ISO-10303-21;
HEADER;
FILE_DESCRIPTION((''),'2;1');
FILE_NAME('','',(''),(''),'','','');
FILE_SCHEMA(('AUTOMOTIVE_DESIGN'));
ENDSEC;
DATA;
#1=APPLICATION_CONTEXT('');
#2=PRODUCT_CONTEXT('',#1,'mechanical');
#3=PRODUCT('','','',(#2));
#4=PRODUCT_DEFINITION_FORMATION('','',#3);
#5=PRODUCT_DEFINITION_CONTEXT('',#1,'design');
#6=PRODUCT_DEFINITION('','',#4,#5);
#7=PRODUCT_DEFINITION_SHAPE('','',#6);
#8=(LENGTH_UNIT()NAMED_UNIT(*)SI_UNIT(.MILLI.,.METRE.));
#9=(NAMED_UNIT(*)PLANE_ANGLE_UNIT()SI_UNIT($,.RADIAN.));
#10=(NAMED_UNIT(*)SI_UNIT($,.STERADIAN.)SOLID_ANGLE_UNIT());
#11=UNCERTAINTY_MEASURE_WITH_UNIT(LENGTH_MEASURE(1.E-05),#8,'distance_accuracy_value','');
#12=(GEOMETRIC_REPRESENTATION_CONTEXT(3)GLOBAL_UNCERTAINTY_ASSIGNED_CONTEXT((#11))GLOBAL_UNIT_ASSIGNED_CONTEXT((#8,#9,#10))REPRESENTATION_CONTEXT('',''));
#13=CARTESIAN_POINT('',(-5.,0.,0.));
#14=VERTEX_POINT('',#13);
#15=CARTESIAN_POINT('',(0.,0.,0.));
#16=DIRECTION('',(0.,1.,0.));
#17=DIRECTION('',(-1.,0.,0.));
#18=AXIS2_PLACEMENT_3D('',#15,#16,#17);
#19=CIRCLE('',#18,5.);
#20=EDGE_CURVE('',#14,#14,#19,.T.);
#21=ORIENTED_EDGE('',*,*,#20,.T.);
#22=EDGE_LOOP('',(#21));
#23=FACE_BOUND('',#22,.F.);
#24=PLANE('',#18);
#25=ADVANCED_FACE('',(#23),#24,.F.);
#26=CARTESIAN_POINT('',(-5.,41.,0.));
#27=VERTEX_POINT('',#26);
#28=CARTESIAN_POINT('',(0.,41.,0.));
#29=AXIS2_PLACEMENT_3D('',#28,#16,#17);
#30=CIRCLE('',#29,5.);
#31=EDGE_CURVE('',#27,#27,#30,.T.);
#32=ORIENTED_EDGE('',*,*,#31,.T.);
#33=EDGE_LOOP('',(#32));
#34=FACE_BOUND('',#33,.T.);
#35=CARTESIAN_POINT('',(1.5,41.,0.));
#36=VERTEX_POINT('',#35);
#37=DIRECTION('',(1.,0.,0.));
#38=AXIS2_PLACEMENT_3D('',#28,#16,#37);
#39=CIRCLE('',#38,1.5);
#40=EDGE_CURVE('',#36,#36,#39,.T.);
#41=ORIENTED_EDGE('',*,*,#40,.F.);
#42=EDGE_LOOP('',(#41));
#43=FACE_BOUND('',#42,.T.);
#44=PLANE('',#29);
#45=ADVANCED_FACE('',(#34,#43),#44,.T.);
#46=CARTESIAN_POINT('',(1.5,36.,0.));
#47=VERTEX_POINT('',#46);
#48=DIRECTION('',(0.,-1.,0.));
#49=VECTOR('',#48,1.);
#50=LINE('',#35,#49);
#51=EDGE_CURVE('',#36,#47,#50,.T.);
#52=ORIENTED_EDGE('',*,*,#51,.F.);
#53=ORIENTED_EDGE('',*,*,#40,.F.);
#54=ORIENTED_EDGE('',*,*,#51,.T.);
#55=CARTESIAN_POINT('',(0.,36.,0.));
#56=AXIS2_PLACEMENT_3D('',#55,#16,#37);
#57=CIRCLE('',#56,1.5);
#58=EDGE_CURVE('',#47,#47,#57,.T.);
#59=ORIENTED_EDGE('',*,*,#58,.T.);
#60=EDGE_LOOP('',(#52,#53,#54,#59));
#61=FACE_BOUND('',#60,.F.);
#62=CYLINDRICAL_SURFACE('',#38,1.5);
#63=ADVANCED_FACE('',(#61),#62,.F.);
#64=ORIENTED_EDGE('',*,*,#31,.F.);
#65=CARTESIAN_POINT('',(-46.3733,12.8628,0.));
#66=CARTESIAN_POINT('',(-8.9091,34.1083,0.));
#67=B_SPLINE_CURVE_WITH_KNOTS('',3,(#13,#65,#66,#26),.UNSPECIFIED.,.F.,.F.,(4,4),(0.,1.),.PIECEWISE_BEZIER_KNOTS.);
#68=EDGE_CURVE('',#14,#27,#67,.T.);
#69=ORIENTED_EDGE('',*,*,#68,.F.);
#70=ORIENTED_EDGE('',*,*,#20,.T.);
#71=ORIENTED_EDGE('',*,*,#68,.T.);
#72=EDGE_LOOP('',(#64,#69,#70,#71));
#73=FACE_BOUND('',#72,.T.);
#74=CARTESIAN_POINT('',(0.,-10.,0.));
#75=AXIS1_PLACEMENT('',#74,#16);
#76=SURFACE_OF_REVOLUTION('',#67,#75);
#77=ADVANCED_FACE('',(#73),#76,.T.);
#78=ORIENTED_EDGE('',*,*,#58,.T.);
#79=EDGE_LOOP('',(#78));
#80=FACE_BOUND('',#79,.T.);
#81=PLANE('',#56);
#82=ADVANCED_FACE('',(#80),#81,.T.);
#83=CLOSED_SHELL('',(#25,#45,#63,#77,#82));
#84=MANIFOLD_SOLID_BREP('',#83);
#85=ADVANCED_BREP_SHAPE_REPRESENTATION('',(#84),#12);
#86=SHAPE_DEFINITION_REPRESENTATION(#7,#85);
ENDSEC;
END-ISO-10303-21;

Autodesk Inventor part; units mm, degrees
ref_plane "YZ Plane" through (0, 0, 0) normal (1, 0, 0) x (0, 1, 0)
ref_plane "XZ Plane" through (0, 0, 0) normal (0, 1, 0) x (-1, 0, 0)
ref_plane "XY Plane" through (0, 0, 0) normal (0, 0, 1) x (1, 0, 0)
sketch "Sketch1" plane through (0, 0, 0) normal (0, 0, 1) x (1, 0, 0)
  spline S0 degree 3 poles (-5, 0) (-46.3733, 12.8628) (-8.9091, 34.1083) (-5, 41) knots 0 0 0 0 1 1 1 1
  line L0 (-5, 41) -> (-5, 41)
  line L1 (-5, 41) -> (0, 41)
  line L2 (0, -9.4119) -> (0, 53.3926) projected
  line L3 (-5, 0) -> (0, 0)
  line L4 (0, 41) -> (0, 0)
  line L5 (-34.2276, 0) -> (9.5702, 0) projected
  point P0 (-24, 18)
  point P1 (-13, 33)
  dimension "d0" = 5
  dimension "d1" = 5
  dimension "d7" = 24
  dimension "d8" = 13
  dimension "d9" = 18
  dimension "d10" = 15
  dimension "d11" = 8
  dimension "d12" = 0
revolve "Revolution1" add sketch "Sketch1" angle 360 about axis through (0, -10, 0) along (0, 1, 0)
sketch "Sketch3" plane through (0, 41, 0) normal (0, 1, 0) x (1, 0, 0)
  circle A0 centre (0, 0) radius 1.5
  dimension "d4" = 3
extrude "Extrusion1" cut sketch "Sketch3" against normal blind 5
properties part number "mallet2"
